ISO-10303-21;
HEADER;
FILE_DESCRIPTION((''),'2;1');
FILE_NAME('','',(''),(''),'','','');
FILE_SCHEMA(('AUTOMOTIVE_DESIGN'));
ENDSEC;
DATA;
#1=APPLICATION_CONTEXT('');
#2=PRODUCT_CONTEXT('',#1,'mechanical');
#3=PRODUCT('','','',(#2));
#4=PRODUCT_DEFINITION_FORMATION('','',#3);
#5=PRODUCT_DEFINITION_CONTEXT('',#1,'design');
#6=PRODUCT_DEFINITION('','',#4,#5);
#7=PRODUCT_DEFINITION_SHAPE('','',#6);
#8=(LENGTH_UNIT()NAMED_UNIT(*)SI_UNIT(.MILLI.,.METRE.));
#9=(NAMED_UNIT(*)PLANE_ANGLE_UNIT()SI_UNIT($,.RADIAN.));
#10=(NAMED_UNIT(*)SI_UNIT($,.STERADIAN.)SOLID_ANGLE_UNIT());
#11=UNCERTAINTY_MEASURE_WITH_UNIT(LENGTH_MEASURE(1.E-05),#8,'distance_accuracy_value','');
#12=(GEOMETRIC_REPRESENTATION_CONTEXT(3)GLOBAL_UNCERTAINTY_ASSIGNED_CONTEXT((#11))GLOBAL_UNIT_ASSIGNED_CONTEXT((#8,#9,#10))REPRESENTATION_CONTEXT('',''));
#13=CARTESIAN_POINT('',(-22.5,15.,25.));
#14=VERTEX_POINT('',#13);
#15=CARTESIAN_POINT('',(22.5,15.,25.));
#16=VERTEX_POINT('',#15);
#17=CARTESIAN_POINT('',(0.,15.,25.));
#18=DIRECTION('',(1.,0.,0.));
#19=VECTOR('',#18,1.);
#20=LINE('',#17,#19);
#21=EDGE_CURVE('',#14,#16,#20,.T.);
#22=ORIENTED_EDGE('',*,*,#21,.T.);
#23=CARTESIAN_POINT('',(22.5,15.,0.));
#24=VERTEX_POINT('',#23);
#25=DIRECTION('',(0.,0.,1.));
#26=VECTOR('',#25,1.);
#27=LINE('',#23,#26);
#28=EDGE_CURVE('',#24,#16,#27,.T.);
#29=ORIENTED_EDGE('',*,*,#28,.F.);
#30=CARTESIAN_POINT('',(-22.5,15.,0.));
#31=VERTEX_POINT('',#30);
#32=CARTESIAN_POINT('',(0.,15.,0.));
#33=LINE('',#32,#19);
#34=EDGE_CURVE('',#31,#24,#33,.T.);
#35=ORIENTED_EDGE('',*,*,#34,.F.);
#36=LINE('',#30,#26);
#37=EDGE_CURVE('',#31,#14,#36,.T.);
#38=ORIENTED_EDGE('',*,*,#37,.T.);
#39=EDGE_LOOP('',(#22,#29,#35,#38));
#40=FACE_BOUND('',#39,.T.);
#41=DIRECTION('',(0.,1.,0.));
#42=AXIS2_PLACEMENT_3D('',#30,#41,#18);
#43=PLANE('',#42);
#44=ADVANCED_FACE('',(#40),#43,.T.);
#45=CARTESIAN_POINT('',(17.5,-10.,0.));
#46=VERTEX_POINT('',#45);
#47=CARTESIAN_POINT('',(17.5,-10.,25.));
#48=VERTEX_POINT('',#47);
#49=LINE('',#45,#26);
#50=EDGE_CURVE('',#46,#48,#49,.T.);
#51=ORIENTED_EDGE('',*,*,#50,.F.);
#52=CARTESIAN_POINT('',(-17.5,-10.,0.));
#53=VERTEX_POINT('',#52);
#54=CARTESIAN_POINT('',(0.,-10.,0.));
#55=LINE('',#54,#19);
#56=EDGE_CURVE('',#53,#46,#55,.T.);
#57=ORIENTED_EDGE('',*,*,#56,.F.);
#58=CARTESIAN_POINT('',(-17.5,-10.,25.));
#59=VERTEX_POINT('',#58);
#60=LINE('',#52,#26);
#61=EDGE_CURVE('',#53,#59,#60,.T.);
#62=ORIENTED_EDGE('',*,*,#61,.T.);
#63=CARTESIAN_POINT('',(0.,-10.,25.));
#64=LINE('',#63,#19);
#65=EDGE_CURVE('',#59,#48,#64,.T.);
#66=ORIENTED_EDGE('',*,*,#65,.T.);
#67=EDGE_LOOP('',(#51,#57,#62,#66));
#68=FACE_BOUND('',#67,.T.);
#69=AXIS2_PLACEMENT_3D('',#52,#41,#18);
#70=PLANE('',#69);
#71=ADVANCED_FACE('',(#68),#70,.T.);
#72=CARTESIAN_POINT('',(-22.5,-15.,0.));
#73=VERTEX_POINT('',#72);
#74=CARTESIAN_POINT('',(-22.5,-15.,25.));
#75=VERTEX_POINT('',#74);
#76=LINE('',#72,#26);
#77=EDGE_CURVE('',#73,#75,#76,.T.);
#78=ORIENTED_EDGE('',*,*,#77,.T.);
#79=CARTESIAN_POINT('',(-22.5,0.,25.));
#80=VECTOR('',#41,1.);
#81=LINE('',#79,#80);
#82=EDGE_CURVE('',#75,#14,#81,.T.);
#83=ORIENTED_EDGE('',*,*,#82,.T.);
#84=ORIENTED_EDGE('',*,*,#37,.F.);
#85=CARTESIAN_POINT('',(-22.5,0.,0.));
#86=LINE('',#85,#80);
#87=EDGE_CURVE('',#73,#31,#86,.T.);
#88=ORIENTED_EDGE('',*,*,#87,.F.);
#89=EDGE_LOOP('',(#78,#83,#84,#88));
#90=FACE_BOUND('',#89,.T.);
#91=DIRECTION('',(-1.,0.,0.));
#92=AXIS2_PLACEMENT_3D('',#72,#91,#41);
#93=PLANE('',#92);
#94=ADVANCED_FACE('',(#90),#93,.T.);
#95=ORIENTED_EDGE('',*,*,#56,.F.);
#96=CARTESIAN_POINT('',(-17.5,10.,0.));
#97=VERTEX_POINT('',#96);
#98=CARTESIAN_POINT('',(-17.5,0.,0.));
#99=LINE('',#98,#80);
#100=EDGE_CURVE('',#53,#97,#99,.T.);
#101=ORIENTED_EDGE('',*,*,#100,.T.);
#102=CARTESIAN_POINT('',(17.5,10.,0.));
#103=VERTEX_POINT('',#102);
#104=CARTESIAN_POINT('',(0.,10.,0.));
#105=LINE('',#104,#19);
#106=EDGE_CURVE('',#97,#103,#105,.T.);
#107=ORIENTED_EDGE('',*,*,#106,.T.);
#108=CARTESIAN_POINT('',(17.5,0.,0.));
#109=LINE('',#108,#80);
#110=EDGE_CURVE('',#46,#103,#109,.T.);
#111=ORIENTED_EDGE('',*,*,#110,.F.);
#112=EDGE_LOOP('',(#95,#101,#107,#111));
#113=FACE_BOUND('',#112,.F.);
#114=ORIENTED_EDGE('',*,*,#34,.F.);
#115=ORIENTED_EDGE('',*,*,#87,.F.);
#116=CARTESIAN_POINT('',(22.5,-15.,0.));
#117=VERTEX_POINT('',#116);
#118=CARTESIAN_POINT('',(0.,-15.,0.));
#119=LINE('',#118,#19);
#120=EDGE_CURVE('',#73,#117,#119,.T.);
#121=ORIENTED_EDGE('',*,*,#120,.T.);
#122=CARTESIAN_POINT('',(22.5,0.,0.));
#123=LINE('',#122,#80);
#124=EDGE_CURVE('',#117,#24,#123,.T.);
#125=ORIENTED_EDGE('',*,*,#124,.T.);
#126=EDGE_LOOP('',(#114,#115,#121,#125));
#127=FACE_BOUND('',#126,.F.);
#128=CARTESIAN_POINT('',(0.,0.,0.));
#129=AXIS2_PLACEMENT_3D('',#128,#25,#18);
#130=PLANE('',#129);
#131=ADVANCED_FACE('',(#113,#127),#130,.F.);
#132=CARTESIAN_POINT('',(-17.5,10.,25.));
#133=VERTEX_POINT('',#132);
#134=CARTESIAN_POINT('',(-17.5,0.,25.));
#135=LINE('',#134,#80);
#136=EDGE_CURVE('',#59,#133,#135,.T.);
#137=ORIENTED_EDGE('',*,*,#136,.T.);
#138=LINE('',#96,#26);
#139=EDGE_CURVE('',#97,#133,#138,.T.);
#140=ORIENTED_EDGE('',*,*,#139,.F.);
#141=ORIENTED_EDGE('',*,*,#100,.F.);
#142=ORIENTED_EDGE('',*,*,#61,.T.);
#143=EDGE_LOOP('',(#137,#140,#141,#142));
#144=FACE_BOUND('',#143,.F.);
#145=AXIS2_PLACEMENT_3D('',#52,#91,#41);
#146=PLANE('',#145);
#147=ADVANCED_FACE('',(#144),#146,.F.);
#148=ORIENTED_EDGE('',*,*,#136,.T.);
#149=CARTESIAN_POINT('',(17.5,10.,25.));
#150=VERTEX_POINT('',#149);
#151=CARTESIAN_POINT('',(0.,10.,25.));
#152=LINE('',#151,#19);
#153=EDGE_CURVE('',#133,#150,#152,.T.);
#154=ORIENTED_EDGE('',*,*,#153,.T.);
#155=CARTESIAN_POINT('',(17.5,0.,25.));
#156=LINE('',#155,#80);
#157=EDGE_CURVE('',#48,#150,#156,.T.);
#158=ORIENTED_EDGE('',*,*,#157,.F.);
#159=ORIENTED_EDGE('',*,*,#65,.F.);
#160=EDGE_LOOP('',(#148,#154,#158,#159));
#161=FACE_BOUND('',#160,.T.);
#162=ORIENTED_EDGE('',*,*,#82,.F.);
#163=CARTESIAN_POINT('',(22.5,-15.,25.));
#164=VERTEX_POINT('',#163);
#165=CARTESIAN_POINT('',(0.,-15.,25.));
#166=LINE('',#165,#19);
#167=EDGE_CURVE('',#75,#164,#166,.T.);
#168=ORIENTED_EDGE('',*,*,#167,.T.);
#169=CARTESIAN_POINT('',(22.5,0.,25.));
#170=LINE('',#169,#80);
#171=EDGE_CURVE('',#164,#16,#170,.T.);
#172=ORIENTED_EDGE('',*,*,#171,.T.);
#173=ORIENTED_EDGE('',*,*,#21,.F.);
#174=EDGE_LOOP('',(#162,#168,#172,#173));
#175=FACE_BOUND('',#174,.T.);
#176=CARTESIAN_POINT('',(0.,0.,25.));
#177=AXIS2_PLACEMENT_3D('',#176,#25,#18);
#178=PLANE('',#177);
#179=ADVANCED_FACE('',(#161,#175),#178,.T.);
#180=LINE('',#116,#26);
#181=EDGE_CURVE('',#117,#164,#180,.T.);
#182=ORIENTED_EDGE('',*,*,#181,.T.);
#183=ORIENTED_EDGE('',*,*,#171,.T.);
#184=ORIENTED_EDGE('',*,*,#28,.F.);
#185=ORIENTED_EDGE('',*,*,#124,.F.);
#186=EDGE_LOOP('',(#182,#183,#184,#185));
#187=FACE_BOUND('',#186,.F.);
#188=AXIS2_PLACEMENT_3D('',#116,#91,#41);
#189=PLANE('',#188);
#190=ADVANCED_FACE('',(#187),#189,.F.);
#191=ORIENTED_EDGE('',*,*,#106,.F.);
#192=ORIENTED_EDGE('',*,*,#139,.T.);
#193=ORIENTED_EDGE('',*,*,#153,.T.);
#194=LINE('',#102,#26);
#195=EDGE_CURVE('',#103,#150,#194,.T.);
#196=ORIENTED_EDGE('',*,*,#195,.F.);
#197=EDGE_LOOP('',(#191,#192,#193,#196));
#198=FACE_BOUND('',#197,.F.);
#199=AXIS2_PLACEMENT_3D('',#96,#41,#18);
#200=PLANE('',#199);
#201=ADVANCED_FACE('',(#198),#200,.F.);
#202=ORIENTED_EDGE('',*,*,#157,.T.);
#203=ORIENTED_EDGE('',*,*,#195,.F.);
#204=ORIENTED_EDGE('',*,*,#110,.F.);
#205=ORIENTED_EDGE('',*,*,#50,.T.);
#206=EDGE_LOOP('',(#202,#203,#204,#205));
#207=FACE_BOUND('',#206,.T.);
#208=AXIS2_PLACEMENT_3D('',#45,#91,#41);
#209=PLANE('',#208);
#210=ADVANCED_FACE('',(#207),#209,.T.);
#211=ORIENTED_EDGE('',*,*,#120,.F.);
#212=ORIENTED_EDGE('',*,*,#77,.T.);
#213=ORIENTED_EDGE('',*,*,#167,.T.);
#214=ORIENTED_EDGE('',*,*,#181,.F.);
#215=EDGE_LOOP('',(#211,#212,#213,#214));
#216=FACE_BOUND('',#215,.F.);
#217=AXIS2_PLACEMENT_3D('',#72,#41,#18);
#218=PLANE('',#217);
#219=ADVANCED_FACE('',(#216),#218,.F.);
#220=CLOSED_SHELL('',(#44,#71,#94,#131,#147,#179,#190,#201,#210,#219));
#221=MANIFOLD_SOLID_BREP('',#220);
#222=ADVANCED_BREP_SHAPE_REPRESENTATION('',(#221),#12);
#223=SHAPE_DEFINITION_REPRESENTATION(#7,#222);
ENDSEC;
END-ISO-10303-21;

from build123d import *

# Parameters (mm, degrees)
F1_W     = 45
F1_H     = 30
F1_W_2   = 35
F1_H_2   = 20
F2_DEPTH = 25


with BuildPart() as f2:
    # F1 (on face) → F2 (new body)
    with BuildSketch(Plane.XY):
        Rectangle(F1_W, F1_H)
        Rectangle(F1_W_2, F1_H_2, mode=Mode.SUBTRACT)
    extrude(amount=F2_DEPTH)


solid = f2.part
